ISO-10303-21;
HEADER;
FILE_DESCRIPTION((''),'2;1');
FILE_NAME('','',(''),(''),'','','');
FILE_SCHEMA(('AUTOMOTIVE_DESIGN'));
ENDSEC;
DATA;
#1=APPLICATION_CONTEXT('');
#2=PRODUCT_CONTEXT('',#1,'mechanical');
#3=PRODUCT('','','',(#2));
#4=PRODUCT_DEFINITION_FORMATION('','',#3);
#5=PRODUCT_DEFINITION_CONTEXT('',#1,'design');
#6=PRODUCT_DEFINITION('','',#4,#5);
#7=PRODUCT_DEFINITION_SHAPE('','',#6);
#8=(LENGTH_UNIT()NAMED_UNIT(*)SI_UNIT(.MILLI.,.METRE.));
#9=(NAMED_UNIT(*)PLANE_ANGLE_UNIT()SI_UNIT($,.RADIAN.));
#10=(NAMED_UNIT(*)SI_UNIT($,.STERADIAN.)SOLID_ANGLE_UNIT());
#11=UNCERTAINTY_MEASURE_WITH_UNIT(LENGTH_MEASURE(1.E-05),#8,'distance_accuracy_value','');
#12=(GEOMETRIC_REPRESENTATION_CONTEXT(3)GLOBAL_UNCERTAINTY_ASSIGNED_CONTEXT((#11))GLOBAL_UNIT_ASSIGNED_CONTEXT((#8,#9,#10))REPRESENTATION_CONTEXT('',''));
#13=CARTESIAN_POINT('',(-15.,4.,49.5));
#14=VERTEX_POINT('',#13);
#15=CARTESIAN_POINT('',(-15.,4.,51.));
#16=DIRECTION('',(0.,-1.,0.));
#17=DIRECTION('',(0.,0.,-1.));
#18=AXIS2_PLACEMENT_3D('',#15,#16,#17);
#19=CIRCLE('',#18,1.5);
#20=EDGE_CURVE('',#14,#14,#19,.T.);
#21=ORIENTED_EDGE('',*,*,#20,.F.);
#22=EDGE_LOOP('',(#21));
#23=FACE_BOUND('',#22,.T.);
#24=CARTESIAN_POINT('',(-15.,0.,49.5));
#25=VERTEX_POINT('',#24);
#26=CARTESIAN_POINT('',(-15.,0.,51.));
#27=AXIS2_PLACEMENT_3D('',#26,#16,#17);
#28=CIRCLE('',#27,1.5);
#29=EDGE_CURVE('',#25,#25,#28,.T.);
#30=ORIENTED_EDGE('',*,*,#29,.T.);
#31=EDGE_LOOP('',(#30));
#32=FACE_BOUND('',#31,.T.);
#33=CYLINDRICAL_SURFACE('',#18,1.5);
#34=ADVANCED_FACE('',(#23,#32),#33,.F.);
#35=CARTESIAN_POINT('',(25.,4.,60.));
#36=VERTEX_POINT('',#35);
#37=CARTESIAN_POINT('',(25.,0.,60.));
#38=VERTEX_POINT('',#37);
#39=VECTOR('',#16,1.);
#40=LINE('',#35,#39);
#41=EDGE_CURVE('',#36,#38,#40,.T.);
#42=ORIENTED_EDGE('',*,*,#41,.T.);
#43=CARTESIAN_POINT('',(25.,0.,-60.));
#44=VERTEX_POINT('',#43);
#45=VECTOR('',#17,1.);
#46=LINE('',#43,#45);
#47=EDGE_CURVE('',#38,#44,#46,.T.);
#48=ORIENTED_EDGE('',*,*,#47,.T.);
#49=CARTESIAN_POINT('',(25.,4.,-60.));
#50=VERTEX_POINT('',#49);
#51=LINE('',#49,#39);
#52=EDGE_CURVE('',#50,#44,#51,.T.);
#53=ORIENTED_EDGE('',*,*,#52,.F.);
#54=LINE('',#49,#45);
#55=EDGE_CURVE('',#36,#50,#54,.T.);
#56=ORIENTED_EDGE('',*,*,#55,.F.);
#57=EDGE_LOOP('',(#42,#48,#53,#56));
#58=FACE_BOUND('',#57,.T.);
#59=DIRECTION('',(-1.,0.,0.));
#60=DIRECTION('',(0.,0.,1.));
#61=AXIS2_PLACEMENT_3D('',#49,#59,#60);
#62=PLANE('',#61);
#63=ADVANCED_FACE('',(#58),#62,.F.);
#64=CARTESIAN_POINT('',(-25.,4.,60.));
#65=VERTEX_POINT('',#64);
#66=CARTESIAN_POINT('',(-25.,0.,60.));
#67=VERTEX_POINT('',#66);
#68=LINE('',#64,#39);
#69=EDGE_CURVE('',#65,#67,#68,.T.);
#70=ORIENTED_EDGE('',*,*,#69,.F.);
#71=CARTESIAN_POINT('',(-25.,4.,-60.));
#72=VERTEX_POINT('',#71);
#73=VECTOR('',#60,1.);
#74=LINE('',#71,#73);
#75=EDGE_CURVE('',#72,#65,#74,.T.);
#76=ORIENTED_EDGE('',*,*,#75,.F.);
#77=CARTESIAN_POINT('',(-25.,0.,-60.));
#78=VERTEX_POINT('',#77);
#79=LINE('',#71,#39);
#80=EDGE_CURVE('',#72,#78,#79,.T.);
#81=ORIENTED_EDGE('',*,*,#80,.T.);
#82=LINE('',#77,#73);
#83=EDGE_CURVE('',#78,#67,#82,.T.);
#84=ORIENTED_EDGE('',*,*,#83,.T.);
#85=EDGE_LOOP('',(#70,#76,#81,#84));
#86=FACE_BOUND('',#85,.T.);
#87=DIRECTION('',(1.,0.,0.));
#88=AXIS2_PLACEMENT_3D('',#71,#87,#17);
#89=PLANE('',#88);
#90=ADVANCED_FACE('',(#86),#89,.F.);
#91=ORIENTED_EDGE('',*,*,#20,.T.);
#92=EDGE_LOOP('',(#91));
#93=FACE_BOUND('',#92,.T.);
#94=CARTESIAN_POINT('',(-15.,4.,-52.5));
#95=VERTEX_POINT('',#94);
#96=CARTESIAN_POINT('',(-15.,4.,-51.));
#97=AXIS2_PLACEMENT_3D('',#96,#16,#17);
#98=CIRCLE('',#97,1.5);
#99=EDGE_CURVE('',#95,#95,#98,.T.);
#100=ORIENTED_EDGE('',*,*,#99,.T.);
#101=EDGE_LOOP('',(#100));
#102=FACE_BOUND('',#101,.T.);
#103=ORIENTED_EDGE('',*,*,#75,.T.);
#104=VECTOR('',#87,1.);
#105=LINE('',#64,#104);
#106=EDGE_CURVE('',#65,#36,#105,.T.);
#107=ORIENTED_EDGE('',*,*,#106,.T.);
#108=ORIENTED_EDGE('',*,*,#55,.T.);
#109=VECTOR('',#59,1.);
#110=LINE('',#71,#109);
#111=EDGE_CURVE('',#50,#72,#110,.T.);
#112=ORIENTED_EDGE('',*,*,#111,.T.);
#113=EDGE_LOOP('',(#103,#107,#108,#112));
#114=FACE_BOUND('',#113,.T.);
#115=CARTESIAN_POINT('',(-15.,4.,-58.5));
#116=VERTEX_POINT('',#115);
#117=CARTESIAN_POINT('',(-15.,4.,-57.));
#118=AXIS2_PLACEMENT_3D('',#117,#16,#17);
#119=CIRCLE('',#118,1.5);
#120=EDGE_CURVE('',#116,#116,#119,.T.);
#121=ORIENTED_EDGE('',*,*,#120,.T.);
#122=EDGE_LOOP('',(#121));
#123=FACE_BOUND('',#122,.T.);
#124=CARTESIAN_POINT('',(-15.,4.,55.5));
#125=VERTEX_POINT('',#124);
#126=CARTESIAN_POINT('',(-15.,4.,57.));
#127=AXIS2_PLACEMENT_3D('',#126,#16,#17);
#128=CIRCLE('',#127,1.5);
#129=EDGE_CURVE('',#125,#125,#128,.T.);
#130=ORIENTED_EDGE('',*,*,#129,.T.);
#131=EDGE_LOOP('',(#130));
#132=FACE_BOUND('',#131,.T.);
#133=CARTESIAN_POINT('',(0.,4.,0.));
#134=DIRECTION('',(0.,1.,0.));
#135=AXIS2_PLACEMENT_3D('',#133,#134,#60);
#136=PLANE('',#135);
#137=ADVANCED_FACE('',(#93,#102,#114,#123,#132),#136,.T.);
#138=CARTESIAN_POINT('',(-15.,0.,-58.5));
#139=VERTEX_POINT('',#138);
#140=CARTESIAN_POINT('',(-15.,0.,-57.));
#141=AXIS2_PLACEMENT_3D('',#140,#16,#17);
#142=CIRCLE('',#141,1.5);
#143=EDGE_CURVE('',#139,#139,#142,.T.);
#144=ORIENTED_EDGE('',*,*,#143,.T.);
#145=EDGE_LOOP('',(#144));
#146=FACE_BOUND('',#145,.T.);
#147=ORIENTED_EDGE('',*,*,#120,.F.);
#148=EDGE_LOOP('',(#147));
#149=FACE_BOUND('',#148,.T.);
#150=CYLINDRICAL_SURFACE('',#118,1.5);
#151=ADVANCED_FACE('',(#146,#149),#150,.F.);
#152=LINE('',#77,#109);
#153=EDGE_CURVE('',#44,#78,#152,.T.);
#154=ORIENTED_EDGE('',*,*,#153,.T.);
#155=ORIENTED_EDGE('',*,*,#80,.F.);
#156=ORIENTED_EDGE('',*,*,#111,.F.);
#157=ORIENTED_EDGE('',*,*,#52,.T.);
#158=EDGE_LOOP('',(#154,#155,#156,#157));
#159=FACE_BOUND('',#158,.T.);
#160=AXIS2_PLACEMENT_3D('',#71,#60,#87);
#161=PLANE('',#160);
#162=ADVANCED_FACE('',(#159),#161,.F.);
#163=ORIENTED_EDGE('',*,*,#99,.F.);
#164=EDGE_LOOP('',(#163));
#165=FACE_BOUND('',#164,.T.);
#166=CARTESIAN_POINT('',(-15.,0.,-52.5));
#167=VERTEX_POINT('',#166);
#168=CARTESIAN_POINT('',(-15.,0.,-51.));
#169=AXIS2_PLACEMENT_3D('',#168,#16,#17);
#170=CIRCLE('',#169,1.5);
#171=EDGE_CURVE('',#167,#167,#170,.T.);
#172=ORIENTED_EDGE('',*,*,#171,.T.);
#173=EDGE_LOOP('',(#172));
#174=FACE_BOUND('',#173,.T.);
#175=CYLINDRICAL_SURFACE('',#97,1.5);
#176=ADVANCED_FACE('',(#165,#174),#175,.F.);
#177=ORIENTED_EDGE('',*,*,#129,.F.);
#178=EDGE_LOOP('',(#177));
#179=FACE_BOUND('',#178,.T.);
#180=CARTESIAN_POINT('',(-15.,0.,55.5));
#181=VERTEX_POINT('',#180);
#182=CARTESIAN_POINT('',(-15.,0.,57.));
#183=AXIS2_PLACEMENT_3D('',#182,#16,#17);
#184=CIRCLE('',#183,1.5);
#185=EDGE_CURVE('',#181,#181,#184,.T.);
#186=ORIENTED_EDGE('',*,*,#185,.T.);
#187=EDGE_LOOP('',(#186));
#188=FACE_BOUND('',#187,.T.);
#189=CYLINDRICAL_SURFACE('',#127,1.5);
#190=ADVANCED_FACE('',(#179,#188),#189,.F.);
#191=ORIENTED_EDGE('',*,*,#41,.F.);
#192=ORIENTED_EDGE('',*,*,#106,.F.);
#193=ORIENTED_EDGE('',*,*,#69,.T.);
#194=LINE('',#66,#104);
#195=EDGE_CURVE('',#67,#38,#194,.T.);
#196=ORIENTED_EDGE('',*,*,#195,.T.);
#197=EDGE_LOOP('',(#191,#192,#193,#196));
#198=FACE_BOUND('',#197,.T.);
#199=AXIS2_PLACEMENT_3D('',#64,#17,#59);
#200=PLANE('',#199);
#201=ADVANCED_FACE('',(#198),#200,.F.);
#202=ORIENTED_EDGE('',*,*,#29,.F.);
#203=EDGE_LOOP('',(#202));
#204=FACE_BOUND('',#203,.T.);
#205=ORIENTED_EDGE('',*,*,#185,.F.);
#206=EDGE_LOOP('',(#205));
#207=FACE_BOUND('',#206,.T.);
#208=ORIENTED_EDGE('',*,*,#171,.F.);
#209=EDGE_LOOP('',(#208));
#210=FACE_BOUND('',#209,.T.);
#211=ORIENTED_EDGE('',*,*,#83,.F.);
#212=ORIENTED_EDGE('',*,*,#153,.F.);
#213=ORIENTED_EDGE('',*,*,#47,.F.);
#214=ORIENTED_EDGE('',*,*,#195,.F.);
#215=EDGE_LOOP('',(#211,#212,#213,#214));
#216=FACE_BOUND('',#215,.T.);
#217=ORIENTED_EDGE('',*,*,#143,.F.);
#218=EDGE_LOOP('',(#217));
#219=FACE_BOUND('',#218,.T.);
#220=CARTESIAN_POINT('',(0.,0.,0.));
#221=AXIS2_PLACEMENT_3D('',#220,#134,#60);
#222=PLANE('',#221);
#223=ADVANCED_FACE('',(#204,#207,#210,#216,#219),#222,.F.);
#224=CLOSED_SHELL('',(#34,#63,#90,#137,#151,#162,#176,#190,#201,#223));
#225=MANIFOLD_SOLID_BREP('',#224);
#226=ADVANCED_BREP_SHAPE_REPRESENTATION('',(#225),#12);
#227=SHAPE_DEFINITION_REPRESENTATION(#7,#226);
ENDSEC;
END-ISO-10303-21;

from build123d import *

# Parameters (mm, degrees)
SKETCH1_W           = 50
SKETCH1_H           = 120
BOSS_EXTRUDE1_DEPTH = 4
SKETCH2_R           = 1.5
CUT_EXTRUDE1_DEPTH  = 66.122960621


with BuildPart() as part:
    # Sketch1 → Boss-Extrude1 (new body)
    with BuildSketch(Plane(origin=(0, 0, 0), x_dir=(1, 0, 0), z_dir=(0, 1, 0))):
        Rectangle(SKETCH1_W, SKETCH1_H)
    extrude(amount=BOSS_EXTRUDE1_DEPTH)

    # Sketch2 → Cut-Extrude1 (cut, through all)
    with BuildSketch(Plane.XZ):
        with Locations(Location((-15, -57, 0), (0, 0, 270))):
            Circle(SKETCH2_R)
        with Locations(Location((-15, -51, 0), (0, 0, 270))):
            Circle(SKETCH2_R)
        with Locations(Location((-15, 51, 0), (0, 0, 270))):
            Circle(SKETCH2_R)
        with Locations(Location((-15, 57, 0), (0, 0, 270))):
            Circle(SKETCH2_R)
    extrude(amount=-CUT_EXTRUDE1_DEPTH, mode=Mode.SUBTRACT)


solid = part.part
